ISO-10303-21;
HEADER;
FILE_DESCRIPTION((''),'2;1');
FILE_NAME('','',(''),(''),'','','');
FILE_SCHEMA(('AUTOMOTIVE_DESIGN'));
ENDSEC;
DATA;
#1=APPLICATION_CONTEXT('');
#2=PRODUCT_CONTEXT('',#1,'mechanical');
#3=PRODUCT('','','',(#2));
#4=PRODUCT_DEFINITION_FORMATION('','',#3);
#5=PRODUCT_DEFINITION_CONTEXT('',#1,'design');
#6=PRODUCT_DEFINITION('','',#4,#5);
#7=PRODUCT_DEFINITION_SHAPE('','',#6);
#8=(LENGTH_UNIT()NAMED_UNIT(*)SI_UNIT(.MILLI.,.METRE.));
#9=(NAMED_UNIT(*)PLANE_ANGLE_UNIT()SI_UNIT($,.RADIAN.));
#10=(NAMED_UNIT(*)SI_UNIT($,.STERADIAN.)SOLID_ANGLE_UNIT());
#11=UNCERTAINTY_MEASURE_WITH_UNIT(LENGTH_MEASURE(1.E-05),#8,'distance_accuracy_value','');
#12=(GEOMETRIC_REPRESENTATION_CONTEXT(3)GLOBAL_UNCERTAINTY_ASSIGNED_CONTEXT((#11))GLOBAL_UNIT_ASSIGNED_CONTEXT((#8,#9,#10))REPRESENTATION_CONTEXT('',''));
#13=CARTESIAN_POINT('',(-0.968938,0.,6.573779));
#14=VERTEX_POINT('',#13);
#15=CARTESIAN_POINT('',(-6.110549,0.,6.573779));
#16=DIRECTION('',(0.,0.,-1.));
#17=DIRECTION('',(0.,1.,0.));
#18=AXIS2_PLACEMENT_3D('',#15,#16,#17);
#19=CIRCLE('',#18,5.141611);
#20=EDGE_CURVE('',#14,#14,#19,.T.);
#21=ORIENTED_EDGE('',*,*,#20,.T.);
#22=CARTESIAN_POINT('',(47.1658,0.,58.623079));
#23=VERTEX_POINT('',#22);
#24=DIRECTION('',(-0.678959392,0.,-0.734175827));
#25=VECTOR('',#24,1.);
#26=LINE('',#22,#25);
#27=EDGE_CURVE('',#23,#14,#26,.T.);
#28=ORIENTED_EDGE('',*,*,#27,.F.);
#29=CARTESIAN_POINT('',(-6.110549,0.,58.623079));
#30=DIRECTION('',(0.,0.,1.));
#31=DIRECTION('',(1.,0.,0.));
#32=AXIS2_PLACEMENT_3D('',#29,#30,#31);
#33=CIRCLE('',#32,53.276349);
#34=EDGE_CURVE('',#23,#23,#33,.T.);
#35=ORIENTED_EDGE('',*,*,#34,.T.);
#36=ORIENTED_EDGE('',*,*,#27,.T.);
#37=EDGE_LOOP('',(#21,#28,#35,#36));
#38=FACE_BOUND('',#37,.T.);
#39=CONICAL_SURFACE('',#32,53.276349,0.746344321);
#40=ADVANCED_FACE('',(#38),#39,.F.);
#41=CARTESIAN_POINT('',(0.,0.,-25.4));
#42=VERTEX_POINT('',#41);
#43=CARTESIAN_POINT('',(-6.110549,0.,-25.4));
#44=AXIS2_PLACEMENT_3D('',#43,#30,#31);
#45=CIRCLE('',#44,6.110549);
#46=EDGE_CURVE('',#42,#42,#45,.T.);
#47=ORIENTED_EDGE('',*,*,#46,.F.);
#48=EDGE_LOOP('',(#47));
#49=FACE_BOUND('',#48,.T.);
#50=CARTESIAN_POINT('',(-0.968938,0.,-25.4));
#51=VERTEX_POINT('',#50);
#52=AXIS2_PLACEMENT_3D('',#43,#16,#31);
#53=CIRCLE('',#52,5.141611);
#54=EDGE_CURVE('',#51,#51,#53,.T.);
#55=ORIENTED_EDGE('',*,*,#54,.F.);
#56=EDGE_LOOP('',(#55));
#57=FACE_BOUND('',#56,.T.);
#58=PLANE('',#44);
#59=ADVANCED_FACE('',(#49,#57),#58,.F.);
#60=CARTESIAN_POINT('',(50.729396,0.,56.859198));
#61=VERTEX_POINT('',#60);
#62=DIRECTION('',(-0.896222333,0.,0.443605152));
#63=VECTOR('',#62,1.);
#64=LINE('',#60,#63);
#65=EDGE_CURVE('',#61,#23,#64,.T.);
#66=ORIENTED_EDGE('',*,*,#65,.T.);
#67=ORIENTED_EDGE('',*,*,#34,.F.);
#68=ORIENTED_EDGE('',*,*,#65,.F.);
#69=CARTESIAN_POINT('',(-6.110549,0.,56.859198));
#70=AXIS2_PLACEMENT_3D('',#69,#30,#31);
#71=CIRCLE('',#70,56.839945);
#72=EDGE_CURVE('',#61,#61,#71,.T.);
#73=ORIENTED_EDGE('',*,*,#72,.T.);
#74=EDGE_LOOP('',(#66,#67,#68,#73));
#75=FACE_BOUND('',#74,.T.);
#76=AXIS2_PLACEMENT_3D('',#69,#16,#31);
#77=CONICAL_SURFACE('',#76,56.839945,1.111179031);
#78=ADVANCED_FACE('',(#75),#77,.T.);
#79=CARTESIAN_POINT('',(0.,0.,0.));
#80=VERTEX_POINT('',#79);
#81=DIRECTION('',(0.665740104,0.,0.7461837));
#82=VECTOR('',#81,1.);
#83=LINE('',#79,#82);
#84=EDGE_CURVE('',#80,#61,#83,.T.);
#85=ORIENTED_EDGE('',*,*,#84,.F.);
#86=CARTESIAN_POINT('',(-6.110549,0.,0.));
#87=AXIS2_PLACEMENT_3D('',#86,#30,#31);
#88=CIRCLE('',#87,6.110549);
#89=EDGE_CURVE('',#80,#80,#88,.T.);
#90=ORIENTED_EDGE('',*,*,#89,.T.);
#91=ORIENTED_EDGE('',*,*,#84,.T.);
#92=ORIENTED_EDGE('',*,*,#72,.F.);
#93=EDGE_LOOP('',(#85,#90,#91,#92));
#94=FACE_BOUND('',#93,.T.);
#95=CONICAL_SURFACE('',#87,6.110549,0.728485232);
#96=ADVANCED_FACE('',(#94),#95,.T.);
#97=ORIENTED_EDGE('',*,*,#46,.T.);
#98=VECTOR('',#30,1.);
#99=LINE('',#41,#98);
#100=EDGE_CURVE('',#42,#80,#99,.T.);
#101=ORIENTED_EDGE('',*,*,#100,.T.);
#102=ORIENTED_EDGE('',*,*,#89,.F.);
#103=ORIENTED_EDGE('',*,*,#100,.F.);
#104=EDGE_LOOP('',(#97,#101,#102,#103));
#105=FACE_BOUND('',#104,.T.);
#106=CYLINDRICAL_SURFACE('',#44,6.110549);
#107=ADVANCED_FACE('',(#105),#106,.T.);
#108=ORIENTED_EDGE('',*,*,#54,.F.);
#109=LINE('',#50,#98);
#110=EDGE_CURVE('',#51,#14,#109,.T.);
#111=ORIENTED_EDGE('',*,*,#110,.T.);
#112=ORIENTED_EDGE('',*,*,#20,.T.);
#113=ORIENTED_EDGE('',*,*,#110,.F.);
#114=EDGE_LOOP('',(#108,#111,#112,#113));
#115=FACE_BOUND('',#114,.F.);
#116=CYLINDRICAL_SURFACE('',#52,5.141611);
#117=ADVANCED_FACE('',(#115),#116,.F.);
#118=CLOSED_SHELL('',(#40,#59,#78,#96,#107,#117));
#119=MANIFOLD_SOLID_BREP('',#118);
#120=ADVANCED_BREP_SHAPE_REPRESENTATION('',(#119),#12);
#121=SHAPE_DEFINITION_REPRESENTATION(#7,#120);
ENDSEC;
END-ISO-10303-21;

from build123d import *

# Parameters (mm, degrees)
F2_R     = 5.141611
F3_DEPTH = 50.8


with BuildPart() as f1:
    # F0 (on Front) → F1 (revolve)
    with BuildSketch(Plane.XZ):
        Polygon((0, 0), (50.729396, 56.859198), (47.1658, 58.623079), (-6.110549, 1.014026), (-6.110549, -25.4), (0, -25.4), align=None)
    revolve(axis=Axis((-6.110549, 0, -12.192987), (0, 0, 1)))

    # F2 (on face) → F3 (cut)
    with BuildSketch(Plane(origin=(0, 0, -25.4), x_dir=(1, 0, 0), z_dir=(0, 0, -1))):
        with Locations((-6.110549, 0)):
            Circle(F2_R)
    extrude(amount=-F3_DEPTH, mode=Mode.SUBTRACT)


solid = f1.part
